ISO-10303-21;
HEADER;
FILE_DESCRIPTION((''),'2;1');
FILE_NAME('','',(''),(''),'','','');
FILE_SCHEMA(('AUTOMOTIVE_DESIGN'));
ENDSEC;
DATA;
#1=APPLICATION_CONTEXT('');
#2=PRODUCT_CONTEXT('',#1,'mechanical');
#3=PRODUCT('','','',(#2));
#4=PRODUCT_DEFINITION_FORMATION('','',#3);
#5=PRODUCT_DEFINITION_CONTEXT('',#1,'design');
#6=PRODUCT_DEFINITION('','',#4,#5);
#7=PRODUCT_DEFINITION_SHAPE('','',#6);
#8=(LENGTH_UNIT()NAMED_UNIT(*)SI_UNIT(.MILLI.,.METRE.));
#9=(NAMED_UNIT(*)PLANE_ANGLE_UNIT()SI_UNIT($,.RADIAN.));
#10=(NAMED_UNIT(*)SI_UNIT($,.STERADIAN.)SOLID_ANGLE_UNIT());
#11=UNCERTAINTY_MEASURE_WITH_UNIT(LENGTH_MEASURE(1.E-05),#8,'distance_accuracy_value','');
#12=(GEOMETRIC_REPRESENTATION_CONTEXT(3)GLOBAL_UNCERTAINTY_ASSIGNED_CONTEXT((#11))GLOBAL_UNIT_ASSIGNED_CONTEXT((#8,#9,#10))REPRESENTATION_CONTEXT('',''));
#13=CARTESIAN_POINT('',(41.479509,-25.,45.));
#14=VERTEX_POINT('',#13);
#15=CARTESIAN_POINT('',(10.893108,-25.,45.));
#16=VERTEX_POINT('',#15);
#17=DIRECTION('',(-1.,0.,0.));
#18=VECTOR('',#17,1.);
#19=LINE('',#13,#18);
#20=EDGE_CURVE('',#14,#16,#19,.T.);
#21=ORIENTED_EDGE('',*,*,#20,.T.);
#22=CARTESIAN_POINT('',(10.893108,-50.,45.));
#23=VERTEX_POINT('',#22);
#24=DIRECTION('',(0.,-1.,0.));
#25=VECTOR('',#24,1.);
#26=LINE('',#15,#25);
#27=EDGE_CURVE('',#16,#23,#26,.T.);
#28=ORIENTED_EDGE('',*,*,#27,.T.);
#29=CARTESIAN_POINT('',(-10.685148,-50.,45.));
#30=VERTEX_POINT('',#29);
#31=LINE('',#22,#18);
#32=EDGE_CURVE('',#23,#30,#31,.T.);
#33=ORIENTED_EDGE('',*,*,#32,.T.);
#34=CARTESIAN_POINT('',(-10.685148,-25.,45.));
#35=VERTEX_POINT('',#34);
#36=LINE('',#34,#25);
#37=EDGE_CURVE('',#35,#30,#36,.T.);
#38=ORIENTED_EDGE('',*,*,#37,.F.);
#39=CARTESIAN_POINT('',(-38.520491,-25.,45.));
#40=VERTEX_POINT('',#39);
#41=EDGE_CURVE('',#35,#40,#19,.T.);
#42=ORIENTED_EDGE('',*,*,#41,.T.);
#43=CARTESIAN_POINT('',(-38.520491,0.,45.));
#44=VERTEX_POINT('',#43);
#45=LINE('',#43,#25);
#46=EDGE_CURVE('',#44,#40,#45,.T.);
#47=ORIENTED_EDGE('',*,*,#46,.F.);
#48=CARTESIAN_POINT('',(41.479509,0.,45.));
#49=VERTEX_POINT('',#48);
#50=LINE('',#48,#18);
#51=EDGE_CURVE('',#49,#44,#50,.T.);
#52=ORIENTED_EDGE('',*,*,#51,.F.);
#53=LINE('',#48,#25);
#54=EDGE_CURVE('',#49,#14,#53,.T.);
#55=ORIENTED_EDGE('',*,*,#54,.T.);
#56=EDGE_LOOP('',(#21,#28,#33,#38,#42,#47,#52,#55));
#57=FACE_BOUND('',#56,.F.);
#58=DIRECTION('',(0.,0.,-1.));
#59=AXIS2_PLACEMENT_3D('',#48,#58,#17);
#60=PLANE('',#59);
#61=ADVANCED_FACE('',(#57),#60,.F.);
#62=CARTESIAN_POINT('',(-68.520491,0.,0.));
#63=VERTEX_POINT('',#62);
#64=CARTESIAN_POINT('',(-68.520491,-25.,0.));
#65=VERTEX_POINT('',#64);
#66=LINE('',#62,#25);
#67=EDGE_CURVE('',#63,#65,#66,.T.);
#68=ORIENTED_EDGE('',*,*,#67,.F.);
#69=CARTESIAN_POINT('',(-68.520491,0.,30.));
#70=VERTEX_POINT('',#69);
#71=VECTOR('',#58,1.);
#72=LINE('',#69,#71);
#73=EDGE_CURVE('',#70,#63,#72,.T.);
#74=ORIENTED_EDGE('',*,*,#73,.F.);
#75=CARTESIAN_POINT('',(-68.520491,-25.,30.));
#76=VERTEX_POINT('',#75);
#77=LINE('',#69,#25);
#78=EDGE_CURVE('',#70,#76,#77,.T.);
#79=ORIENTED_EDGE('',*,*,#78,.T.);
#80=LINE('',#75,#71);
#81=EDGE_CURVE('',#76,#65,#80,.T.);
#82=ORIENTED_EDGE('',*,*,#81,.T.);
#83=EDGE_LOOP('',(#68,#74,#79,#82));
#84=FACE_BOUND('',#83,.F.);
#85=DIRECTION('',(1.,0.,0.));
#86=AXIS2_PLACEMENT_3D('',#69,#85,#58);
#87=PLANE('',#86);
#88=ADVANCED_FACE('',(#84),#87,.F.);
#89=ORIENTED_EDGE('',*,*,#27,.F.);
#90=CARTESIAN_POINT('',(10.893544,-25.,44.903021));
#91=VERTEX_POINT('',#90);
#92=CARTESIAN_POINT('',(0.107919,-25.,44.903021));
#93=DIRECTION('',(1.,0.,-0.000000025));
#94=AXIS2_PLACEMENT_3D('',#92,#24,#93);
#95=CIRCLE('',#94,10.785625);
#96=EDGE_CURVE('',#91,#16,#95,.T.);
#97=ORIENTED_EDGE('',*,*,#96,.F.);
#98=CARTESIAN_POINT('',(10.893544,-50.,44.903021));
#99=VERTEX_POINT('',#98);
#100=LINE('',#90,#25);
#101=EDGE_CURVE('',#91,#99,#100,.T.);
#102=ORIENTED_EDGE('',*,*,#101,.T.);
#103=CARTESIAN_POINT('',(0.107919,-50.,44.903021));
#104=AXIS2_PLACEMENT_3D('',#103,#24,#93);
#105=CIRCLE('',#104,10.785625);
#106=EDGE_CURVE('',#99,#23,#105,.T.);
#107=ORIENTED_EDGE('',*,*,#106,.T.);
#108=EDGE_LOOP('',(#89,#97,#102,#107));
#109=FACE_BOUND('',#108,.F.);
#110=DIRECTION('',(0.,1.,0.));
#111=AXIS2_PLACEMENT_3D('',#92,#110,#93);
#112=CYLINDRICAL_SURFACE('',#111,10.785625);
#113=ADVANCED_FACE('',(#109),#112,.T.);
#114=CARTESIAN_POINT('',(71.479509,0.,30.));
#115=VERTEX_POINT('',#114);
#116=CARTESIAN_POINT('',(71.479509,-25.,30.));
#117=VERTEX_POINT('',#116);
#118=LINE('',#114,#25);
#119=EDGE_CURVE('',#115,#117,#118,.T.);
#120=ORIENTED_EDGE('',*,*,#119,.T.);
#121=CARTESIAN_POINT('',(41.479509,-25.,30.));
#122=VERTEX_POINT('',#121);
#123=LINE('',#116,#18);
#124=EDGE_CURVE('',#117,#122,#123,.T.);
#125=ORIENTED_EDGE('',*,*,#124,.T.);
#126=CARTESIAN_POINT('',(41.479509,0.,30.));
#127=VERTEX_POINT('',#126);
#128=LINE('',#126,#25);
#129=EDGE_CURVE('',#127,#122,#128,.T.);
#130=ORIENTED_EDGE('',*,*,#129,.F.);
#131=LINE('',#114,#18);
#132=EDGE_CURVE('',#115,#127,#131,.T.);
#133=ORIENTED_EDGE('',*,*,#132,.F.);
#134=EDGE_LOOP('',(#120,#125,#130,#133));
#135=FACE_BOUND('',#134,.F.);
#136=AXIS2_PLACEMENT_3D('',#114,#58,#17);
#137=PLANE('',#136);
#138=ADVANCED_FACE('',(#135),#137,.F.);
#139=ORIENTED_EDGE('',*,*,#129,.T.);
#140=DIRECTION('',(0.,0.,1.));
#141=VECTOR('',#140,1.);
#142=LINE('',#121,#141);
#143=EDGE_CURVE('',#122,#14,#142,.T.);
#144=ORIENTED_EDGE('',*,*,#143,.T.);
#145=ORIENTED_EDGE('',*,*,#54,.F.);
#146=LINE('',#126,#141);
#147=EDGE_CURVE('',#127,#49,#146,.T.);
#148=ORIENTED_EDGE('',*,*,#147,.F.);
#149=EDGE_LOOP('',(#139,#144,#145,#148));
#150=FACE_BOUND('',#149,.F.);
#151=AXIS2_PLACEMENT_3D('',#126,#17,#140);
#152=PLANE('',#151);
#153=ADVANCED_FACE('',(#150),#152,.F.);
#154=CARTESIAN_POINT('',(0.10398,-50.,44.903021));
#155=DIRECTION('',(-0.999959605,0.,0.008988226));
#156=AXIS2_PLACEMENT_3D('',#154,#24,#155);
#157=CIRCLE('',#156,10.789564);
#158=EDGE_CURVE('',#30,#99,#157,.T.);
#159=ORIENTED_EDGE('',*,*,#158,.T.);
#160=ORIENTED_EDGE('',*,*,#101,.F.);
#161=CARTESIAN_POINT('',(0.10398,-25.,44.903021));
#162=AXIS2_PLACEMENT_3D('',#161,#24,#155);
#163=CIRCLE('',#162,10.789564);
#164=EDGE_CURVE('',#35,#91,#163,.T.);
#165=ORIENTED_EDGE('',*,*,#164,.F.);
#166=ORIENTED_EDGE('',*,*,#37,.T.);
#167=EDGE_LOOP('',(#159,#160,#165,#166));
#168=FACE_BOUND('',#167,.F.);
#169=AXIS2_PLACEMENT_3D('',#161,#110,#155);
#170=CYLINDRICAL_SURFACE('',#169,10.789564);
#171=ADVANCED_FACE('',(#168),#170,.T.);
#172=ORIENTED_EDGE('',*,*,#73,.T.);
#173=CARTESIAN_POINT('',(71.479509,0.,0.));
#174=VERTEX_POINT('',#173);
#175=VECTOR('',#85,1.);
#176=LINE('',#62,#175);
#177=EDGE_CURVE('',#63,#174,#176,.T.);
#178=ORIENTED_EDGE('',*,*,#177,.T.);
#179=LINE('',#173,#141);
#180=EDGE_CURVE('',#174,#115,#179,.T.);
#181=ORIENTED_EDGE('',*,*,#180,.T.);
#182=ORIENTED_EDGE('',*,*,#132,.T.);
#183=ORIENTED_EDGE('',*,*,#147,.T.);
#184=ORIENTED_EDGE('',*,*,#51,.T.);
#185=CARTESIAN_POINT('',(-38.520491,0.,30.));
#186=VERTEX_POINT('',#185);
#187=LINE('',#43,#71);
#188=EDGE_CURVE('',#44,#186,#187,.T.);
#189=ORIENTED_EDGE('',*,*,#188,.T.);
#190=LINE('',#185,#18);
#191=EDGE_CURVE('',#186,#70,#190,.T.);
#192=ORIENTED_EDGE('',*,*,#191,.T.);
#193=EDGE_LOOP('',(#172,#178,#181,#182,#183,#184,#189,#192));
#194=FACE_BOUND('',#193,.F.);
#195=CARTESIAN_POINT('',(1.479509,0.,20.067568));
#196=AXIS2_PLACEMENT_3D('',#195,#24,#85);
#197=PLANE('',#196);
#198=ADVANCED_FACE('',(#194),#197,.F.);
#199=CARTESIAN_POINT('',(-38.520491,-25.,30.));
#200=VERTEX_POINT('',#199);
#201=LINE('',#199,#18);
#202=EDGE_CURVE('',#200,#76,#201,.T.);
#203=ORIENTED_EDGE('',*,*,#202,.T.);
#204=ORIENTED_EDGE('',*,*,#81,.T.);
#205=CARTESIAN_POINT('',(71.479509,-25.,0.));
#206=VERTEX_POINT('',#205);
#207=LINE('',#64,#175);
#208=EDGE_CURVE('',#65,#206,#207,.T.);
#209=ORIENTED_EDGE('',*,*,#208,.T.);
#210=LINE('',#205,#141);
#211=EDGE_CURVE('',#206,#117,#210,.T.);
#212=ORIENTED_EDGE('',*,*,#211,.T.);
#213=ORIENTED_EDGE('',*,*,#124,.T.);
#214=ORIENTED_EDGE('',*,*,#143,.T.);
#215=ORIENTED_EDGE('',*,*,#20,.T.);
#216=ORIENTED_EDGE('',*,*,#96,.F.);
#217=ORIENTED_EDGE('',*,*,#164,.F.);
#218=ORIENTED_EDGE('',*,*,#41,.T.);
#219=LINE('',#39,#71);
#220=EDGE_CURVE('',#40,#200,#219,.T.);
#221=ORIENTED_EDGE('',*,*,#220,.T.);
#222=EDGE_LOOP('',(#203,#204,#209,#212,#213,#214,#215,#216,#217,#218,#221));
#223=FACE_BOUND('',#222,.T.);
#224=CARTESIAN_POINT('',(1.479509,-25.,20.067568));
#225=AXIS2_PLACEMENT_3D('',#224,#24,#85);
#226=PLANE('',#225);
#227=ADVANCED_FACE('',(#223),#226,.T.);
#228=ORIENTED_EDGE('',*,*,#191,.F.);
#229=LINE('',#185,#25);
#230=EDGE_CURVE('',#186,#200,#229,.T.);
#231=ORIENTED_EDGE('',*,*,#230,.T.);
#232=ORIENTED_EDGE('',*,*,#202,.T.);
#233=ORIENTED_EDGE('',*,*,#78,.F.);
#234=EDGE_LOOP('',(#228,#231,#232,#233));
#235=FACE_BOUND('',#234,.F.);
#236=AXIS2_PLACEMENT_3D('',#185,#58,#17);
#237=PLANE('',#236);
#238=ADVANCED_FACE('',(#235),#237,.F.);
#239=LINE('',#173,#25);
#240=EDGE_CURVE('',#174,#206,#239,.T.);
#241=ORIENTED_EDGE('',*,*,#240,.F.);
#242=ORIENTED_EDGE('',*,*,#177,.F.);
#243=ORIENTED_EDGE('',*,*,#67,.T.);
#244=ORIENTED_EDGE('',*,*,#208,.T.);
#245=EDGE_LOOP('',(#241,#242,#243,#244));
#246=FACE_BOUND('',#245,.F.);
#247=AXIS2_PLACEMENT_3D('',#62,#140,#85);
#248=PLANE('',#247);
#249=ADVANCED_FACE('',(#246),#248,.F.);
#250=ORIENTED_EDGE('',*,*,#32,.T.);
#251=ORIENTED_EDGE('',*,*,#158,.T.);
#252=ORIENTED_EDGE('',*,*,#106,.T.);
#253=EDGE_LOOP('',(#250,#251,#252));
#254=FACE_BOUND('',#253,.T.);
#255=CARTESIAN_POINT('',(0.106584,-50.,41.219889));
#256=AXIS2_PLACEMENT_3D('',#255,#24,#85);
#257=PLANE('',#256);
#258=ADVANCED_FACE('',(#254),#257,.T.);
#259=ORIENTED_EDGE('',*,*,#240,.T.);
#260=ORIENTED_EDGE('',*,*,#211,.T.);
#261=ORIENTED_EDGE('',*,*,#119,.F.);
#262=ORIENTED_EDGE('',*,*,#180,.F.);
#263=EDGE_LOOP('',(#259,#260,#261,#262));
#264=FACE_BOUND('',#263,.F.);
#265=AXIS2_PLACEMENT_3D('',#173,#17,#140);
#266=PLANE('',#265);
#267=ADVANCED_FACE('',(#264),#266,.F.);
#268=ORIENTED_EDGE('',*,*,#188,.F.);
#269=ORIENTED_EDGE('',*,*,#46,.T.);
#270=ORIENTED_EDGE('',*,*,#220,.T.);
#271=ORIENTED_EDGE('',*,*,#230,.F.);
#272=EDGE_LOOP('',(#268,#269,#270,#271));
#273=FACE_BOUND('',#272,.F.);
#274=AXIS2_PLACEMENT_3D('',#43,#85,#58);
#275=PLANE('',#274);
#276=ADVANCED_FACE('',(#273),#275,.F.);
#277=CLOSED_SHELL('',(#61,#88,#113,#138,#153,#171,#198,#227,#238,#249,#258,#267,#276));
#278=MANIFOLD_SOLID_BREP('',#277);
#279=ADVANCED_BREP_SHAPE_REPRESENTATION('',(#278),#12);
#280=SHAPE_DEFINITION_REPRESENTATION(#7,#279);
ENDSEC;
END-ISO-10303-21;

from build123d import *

# Parameters (mm, degrees)
F1_DEPTH = 25
F3_DEPTH = 25


with BuildPart() as f1:
    # F0 (on Front) → F1 (new body)
    with BuildSketch(Plane.XZ):
        Polygon((-68.520491, 30), (-68.520491, 0), (71.479509, 0), (71.479509, 30), (41.479509, 30), (41.479509, 45), (-38.520491, 45), (-38.520491, 30), align=None)
    extrude(amount=F1_DEPTH)

    # F2 (on face) → F3 (join)
    with BuildSketch(Plane.XZ.offset(25)):
        with BuildLine():
            ThreePointArc((-10.685148, 45), (0.05549, 34.113566), (10.893544, 44.903021))
            ThreePointArc((10.893544, 44.903021), (10.893435, 44.951511), (10.893108, 45))
            Line((10.893108, 45), (-10.685148, 45))
        make_face()
    extrude(amount=F3_DEPTH)


solid = f1.part
